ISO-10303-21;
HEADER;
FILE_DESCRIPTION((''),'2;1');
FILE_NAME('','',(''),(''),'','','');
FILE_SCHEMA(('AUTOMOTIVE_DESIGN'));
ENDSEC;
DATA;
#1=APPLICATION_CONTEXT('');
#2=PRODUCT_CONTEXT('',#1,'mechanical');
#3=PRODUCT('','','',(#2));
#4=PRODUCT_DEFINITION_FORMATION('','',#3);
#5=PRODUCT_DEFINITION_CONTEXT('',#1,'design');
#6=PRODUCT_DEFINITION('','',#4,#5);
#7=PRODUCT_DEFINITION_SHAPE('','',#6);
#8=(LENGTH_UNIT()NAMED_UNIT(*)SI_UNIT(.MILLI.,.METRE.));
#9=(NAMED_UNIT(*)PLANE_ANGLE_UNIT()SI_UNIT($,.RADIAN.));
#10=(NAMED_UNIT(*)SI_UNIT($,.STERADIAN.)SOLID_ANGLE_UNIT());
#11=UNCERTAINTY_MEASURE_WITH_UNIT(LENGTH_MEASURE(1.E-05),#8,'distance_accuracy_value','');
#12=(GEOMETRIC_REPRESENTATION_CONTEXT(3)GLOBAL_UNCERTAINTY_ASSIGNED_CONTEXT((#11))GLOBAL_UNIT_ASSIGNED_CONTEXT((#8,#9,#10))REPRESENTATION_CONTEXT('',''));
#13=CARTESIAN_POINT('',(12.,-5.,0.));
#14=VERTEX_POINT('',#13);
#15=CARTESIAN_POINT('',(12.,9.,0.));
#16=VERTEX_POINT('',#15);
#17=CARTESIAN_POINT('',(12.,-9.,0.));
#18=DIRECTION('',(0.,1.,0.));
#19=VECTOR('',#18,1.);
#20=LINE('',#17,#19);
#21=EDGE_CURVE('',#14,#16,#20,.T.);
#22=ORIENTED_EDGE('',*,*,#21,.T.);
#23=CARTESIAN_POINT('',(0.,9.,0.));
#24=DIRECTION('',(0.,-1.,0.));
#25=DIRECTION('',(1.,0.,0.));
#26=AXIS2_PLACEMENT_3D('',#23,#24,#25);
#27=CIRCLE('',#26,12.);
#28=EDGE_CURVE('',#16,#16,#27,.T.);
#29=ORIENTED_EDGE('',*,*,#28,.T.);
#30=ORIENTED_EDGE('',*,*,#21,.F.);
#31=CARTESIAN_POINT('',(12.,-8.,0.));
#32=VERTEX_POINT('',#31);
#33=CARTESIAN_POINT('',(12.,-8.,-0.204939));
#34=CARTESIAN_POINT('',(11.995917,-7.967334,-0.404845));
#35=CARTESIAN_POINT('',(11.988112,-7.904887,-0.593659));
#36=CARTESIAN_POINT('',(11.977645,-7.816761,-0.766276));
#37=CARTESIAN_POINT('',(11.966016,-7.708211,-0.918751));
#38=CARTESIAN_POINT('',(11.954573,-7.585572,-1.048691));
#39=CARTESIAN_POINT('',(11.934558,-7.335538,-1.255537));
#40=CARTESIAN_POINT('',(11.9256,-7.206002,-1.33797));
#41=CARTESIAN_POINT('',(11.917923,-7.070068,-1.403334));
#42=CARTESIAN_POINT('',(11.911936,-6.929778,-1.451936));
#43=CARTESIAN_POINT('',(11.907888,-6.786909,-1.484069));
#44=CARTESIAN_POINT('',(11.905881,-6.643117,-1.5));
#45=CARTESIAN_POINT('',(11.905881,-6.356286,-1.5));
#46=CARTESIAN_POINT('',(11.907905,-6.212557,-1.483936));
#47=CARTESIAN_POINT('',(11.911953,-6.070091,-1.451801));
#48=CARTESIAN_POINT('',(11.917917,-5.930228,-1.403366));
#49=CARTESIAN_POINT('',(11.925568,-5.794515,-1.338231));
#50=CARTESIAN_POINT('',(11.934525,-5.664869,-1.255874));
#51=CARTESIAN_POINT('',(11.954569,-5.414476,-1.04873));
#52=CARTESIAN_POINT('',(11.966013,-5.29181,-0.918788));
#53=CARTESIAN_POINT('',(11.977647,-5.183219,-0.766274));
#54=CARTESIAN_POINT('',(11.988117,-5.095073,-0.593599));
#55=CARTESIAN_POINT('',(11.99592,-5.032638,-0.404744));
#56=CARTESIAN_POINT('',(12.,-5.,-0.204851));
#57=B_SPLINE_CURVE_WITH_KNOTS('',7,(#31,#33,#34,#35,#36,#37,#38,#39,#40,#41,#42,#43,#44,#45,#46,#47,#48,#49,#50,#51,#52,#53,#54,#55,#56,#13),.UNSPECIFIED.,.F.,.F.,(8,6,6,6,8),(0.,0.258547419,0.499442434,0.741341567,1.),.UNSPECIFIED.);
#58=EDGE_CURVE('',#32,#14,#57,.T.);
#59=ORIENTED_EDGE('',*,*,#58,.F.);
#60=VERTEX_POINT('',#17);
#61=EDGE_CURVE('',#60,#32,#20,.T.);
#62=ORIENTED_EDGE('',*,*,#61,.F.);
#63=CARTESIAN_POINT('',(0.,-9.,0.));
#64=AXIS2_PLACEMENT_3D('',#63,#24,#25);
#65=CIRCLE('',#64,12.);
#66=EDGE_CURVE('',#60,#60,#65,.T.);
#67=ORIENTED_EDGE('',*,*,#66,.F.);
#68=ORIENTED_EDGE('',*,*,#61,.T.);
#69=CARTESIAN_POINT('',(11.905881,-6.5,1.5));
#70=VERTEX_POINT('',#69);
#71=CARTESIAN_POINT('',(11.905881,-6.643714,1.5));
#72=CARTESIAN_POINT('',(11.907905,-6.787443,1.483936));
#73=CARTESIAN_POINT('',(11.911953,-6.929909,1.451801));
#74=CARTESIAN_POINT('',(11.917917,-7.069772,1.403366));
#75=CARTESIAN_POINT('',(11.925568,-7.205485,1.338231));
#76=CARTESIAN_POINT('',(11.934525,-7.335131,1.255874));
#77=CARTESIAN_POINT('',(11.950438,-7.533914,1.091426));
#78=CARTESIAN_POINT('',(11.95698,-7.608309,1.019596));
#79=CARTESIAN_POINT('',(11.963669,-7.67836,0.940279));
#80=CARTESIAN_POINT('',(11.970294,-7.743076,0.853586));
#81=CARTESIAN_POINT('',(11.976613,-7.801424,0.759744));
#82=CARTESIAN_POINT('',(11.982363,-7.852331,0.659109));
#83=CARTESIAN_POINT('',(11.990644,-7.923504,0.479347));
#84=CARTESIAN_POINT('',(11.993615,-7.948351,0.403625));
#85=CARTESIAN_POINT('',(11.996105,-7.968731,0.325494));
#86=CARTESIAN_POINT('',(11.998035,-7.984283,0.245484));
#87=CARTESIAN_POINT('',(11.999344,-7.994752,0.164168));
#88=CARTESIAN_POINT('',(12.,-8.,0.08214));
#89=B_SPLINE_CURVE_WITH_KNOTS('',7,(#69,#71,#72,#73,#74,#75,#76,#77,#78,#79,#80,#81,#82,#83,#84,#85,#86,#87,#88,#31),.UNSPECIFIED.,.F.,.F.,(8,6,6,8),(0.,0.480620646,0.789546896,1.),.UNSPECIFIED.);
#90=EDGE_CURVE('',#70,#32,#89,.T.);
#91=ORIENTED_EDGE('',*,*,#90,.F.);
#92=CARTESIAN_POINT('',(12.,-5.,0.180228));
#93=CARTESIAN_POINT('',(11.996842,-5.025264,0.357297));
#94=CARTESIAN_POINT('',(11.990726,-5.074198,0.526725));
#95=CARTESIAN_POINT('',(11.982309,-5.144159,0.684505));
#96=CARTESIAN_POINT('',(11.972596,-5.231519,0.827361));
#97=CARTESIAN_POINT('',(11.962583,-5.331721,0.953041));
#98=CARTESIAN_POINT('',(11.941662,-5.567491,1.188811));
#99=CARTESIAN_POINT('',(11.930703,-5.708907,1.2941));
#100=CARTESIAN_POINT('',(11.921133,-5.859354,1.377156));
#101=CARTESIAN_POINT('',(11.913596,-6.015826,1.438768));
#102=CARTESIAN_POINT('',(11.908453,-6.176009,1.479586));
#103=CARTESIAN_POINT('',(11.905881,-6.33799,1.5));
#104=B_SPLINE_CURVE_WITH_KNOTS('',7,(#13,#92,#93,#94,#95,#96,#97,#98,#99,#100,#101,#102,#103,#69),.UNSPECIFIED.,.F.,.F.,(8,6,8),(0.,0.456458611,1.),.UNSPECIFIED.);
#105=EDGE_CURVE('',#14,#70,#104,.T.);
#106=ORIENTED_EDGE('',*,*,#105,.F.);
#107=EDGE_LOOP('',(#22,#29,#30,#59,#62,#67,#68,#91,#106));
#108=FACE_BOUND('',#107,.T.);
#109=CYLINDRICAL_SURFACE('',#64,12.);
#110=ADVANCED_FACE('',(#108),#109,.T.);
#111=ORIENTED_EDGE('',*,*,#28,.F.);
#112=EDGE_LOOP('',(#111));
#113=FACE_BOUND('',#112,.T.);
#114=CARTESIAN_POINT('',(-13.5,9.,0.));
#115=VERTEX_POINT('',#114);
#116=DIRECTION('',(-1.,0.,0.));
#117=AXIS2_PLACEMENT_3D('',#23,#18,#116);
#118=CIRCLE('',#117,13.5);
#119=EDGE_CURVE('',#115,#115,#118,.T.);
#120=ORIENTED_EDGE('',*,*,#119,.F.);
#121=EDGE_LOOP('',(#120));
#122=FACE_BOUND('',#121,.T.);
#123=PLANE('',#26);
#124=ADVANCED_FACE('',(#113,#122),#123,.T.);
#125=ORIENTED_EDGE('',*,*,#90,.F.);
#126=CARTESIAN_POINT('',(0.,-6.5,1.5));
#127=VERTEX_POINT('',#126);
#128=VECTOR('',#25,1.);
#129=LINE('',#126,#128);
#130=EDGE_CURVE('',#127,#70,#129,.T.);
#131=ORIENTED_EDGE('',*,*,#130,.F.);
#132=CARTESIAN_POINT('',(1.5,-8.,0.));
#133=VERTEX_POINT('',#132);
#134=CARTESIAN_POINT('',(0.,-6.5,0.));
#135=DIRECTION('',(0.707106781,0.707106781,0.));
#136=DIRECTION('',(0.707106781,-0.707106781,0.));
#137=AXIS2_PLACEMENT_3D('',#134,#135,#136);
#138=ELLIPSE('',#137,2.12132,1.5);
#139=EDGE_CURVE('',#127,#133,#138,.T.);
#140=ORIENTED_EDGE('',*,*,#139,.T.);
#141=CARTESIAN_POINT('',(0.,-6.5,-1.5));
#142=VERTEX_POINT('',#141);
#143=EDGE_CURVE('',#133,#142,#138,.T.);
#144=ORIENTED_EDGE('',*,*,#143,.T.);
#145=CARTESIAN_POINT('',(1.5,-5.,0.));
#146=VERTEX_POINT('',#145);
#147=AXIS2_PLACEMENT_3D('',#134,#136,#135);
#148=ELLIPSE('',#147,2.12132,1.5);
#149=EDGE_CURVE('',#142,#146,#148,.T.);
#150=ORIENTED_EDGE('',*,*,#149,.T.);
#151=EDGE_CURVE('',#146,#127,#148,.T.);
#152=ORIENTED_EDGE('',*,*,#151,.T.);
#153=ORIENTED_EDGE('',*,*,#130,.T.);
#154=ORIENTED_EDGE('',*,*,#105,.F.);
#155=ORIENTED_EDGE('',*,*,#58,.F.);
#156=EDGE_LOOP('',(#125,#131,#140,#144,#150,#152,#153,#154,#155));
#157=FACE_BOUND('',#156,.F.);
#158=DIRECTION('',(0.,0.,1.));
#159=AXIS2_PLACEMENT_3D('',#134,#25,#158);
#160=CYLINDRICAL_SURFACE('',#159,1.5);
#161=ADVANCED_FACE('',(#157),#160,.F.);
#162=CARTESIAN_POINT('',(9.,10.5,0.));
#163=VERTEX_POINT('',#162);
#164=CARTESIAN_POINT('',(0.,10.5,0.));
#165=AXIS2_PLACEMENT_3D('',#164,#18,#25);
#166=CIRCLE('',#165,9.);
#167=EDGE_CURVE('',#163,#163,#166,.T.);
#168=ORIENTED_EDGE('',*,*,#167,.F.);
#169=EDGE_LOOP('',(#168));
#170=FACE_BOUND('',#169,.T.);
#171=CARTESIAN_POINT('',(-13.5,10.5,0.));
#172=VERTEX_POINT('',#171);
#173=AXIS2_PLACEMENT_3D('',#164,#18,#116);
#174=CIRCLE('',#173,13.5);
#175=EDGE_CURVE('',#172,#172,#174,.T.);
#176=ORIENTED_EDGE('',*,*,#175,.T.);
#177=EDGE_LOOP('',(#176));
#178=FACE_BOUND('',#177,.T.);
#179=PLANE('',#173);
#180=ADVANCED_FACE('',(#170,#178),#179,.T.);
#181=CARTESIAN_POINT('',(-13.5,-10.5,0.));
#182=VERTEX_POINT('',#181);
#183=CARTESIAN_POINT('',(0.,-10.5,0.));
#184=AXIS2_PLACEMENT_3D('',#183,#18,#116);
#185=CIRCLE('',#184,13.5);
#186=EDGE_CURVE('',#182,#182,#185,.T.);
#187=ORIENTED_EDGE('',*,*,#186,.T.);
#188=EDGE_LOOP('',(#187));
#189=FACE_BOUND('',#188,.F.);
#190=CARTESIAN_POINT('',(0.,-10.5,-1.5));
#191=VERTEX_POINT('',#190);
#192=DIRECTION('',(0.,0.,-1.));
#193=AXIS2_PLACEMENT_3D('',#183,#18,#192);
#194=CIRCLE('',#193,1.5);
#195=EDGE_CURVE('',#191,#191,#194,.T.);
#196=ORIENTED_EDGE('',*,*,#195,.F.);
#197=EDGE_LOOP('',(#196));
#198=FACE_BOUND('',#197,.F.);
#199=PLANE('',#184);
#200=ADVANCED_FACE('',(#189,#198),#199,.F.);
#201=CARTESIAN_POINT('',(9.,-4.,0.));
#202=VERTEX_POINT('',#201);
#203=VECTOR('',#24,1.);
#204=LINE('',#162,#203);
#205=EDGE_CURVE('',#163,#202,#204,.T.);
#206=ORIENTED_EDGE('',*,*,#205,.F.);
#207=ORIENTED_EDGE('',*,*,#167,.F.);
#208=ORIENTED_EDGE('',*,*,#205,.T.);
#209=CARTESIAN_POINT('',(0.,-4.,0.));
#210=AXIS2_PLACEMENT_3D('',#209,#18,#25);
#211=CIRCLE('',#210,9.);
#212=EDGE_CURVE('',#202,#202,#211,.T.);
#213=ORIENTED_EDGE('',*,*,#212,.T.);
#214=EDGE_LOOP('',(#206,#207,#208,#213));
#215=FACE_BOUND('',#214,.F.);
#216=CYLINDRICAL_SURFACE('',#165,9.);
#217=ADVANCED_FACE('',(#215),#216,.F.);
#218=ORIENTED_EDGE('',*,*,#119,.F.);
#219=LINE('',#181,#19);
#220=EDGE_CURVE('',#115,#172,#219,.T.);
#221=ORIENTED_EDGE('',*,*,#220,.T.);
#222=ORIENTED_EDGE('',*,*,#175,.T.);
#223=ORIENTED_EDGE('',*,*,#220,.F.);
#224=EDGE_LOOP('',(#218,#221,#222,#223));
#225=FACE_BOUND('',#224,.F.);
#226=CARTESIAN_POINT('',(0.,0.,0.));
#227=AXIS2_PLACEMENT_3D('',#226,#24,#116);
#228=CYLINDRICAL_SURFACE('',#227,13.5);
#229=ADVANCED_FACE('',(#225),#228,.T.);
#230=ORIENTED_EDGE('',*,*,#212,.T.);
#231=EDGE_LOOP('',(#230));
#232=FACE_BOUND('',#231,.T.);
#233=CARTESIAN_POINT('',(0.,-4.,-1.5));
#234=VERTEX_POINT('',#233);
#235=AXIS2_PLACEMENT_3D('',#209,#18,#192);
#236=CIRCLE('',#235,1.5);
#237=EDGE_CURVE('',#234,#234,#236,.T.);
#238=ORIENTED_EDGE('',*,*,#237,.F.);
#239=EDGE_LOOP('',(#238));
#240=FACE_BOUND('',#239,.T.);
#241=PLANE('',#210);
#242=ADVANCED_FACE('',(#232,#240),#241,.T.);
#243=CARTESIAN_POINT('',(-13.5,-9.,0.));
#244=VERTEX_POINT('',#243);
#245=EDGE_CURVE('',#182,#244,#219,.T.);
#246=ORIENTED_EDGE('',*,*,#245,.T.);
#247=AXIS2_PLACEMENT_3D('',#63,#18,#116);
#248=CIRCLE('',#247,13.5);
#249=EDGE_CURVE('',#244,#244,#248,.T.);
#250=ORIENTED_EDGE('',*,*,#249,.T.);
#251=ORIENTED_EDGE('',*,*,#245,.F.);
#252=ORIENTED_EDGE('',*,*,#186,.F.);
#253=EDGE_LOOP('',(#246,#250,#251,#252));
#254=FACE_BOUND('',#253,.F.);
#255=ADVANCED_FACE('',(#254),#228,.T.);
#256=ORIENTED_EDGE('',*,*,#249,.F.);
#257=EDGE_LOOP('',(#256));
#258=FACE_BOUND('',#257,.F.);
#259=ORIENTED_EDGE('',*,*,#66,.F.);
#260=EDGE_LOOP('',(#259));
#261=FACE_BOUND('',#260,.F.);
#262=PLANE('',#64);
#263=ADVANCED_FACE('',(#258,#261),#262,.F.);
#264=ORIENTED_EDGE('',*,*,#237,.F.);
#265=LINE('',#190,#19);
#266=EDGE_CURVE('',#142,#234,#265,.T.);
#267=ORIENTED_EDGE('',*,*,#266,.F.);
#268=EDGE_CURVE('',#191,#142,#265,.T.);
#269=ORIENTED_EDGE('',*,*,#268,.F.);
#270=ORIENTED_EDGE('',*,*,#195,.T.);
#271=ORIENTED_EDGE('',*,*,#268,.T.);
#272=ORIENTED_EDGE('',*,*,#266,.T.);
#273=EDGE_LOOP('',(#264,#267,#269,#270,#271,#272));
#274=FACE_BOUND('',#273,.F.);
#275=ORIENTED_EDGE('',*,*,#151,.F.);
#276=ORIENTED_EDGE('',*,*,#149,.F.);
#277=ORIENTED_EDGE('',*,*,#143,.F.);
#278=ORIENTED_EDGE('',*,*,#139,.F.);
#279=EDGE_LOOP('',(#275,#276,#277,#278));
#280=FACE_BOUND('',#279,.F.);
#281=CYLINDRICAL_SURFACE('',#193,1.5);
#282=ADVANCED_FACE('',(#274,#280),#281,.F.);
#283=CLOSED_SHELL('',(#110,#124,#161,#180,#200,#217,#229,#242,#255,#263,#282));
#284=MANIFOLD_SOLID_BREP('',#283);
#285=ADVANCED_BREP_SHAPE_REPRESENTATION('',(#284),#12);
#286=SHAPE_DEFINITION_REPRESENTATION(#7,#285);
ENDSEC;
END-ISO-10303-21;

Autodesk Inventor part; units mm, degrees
ref_plane "YZ Plane" through (0, 0, 0) normal (1, 0, 0) x (0, 1, 0)
ref_plane "XZ Plane" through (0, 0, 0) normal (0, 1, 0) x (-1, 0, 0)
ref_plane "XY Plane" through (0, 0, 0) normal (0, 0, 1) x (1, 0, 0)
sketch "Náčrt1" plane through (0, 0, 0) normal (0, 1, 0) x (-1, 0, 0)
  circle A0 centre (0, 0) radius 16.5
  circle A1 centre (0, 0) radius 13.5
  dimension "d0" = 33
  dimension "d1" = 27
extrude "Vysunutí1" add sketch "Náčrt1" along normal mid plane 21 contours A1
sketch "Náčrt4" plane through (0, 0, 0) normal (1, 0, 0) x (0, 1, 0)
  line L0 (-10.5, 13.5) -> (-10.5, -13.5) projected
  point P0 (0, 0)
  point P1 (-6.5, 0)
  dimension "d16" = 4
hole "Díra2" at (0, -6.5, 0) direction (1, 0, 0) diameter 3 end through all
thread "Závit1" size "M3x0.5" class "6H" standard "ISO Metric profile" full length
extrude "Vysunutí2" add sketch "Náčrt1" along normal mid plane 18
sketch "Náčrt2" plane through (0, 10.5, 0) normal (0, 1, 0) x (1, 0, 0)
  circle A0 centre (0, 0) radius 9
  dimension "d6" = 18
extrude "Vysunutí3" cut sketch "Náčrt2" against normal blind 14.5
sketch "Náčrt3" plane through (0, -10.5, 0) normal (0, -1, 0) x (1, 0, 0)
  circle A0 centre (0, 0) radius 13.5 projected
hole "Díra1" at (0, -10.5, 0) direction (0, 1, 0) diameter 3 end through all
sketch "Náčrt5" plane through (0, -9, 0) normal (0, -1, 0) x (1, 0, 0)
  circle A0 centre (0, 0) radius 16.5 projected
  circle A1 centre (0, 0) radius 1.5 projected
  circle A2 centre (0, 0) radius 12
  dimension "d26" = 24
extrude "Vysunutí4" cut sketch "Náčrt5" against normal up to surface (18 mm away) contours A0
properties part number "JSUMO_Wheel_33x20mm_NoSilicon"
